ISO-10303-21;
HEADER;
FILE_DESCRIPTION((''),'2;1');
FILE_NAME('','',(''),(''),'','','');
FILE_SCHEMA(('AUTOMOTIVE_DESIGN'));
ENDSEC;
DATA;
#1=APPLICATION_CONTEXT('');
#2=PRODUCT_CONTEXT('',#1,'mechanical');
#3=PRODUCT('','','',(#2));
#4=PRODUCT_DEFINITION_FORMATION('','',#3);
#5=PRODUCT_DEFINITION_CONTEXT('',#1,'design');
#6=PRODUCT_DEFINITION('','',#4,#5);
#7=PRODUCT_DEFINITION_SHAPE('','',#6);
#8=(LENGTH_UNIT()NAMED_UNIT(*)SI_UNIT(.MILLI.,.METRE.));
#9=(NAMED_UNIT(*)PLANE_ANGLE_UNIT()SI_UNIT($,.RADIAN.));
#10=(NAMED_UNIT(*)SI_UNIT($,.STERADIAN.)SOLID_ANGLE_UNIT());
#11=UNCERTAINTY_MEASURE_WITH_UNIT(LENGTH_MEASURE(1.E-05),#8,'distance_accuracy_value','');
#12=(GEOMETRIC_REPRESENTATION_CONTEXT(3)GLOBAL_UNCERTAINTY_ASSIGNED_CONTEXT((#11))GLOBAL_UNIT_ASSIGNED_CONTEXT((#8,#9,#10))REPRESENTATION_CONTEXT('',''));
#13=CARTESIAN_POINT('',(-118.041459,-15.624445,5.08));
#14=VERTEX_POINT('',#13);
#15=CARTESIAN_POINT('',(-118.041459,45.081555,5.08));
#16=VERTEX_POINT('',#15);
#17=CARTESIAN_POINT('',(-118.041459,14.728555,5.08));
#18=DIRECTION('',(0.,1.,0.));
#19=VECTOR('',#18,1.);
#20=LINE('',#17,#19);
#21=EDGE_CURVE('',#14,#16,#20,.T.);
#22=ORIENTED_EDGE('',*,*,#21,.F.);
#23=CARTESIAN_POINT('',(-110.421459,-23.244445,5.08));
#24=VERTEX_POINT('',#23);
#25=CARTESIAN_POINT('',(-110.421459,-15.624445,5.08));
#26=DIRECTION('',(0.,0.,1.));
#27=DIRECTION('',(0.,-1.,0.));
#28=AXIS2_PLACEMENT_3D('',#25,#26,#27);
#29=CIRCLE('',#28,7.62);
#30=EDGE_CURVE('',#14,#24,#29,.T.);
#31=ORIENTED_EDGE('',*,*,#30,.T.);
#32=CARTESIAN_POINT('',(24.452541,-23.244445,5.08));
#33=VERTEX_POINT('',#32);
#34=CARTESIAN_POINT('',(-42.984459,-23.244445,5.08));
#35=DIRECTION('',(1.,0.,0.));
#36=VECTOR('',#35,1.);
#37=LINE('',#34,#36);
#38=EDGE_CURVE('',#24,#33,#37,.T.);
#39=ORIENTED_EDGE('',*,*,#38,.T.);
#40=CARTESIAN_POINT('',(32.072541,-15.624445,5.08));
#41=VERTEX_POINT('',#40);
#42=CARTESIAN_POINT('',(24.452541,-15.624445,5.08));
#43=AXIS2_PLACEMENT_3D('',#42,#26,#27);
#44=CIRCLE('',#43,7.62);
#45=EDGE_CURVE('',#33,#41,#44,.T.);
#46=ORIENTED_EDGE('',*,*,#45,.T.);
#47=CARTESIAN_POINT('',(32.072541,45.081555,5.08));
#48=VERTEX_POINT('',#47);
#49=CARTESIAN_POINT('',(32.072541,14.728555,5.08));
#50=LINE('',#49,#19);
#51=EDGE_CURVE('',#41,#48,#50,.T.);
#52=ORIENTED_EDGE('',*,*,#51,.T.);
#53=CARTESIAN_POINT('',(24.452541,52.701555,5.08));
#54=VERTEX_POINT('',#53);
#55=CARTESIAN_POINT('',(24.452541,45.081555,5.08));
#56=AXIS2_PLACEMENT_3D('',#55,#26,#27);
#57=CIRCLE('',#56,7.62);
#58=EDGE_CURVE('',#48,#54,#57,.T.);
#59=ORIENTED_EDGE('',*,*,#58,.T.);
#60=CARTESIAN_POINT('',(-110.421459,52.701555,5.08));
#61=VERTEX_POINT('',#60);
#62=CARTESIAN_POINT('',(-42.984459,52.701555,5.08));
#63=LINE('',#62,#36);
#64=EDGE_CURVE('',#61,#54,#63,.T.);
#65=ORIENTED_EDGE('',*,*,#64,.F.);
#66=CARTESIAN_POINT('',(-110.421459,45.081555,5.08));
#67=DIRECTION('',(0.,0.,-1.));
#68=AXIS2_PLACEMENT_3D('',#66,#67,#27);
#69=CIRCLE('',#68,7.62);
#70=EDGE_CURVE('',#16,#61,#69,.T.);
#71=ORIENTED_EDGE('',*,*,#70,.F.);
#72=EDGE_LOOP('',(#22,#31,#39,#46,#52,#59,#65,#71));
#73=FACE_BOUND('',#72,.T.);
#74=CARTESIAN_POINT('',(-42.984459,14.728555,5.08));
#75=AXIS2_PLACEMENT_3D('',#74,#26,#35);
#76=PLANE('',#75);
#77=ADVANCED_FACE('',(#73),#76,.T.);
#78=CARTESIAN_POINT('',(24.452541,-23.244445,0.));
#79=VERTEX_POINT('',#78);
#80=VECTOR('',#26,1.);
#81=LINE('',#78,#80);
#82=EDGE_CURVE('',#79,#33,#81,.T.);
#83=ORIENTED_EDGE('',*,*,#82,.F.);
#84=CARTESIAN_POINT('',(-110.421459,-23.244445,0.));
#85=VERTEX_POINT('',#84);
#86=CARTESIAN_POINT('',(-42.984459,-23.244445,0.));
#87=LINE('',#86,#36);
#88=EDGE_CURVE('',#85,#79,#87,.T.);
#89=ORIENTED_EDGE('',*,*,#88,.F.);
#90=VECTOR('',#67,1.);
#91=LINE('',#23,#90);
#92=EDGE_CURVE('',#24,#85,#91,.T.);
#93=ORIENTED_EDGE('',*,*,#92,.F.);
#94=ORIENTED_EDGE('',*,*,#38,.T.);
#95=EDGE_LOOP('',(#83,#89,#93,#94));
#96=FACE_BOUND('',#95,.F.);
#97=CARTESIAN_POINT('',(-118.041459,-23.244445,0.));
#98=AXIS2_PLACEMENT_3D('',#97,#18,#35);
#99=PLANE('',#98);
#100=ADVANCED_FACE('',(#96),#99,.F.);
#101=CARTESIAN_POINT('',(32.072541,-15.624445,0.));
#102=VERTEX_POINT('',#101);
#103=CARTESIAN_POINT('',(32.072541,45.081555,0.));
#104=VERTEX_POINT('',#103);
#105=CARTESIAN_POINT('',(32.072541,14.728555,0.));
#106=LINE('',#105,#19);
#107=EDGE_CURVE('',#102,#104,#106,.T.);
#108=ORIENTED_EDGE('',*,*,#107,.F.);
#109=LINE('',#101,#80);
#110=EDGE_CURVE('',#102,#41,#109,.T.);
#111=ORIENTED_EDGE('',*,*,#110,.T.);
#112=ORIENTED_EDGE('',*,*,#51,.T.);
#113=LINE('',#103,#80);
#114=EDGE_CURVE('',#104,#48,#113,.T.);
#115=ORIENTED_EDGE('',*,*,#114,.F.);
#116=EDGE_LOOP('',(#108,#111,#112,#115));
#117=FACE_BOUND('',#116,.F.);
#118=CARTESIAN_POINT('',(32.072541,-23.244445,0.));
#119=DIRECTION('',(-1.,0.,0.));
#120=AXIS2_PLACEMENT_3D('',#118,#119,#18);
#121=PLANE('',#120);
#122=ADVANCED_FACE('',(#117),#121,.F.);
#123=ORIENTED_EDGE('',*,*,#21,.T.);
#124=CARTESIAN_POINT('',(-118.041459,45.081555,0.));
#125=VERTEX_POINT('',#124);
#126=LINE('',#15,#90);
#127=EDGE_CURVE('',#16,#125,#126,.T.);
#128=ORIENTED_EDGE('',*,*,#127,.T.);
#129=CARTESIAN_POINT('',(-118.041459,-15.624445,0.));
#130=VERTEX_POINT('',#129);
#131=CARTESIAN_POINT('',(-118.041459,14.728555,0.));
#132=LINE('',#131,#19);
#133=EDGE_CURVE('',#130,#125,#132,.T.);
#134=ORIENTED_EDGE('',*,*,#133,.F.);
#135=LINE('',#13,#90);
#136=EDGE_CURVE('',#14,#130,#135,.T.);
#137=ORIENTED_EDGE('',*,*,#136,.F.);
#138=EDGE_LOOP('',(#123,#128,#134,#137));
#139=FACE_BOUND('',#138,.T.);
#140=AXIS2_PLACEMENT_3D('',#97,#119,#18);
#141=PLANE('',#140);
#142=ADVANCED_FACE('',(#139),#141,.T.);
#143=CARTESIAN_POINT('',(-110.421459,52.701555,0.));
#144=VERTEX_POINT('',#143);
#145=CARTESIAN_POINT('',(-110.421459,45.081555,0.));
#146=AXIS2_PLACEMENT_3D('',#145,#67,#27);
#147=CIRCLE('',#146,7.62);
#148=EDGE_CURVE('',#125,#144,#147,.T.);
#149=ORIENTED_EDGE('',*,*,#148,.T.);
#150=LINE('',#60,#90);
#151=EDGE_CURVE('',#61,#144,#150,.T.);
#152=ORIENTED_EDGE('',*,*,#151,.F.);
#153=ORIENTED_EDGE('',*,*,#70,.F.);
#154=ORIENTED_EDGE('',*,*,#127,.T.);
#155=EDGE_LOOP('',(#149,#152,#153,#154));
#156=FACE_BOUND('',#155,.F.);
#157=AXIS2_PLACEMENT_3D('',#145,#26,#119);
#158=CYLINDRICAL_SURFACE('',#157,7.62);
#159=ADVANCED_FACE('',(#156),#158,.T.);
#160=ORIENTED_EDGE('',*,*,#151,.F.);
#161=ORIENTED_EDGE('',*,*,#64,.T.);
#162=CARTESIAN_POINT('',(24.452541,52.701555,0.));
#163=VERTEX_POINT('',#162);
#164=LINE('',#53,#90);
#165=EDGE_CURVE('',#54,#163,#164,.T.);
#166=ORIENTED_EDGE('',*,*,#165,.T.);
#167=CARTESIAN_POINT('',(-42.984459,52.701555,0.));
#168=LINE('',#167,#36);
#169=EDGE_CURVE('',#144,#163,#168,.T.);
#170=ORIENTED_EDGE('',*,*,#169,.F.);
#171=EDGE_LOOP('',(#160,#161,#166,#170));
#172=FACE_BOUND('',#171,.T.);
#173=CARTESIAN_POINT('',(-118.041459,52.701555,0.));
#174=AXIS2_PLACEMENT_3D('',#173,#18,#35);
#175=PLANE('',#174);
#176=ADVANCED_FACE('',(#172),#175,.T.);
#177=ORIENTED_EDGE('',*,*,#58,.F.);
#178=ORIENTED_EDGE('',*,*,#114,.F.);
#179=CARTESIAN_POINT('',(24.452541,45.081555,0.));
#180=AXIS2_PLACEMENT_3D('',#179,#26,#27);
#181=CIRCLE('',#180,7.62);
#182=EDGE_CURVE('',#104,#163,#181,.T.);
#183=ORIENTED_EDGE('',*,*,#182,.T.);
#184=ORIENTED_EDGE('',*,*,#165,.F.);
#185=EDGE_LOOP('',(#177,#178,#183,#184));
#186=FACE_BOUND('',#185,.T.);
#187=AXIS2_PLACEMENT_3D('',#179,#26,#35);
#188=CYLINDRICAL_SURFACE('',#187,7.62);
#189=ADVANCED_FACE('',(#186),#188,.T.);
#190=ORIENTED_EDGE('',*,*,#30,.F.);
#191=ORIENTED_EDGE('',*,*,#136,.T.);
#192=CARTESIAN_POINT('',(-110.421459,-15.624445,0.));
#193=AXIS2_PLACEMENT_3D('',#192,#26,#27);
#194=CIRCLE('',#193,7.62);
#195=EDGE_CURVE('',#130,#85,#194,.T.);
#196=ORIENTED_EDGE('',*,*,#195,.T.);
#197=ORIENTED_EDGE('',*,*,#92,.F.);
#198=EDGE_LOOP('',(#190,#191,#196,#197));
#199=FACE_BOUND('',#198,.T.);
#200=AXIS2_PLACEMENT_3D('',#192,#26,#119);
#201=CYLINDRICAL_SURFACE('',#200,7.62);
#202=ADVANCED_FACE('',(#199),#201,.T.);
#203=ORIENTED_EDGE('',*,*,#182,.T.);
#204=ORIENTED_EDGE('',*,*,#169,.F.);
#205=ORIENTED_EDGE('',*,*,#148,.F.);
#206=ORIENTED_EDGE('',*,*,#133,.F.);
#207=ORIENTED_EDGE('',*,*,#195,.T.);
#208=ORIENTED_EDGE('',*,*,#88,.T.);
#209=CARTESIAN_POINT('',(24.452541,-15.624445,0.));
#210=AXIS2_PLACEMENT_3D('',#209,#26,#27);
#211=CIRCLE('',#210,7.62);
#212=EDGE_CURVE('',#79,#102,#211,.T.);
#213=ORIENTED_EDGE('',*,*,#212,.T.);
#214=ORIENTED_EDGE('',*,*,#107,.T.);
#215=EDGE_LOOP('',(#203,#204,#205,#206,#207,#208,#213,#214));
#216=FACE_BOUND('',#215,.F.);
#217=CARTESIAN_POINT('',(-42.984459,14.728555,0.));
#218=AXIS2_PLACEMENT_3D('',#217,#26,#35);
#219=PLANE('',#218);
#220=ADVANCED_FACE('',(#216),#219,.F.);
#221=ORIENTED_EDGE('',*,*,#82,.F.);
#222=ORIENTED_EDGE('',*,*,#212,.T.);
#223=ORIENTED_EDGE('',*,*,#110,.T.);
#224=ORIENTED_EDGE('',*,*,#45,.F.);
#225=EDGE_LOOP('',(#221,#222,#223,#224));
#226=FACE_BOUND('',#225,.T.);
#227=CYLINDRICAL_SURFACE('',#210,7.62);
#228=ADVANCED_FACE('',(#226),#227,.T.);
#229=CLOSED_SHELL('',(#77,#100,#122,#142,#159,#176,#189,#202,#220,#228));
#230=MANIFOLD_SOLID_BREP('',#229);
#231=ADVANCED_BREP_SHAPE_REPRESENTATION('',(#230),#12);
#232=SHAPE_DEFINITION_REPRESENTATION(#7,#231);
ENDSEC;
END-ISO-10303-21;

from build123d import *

# Parameters (mm, degrees)
F0_W     = 150.114
F0_H     = 75.946
F1_DEPTH = 5.08
F2_R     = 7.62
F3_DEPTH = 2.54
F4_DEPTH = 2.54
F5_DEPTH = 5.08


with BuildPart() as f1:
    # F0 (on Top) → F1 (new body)
    with BuildSketch(Plane.XY):
        with Locations((-42.984459, 14.728555)):
            Rectangle(F0_W, F0_H)
    extrude(amount=F1_DEPTH)

    # F2
    f2_edges = [f1.edges().sort_by_distance(p)[0] for p in [
        (-118.041459, -23.244445, 2.54),
        (32.072541, -23.244445, 2.54),
        (32.072541, 52.701555, 2.54),
        (-118.041459, 52.701555, 2.54),
    ]]
    fillet(f2_edges, radius=F2_R)

    # F1_face (on face) → F3 (join)
    with BuildSketch(Plane(origin=(-42.984459, 14.728555, 5.08), x_dir=(1, 0, 0), z_dir=(0, 0, 1))):
        with BuildLine():
            Line((-67.437, -37.973), (67.437, -37.973))
            ThreePointArc((67.437, -37.973), (72.825154, -35.741154), (75.057, -30.353))
            Line((75.057, -30.353), (75.057, 30.353))
            ThreePointArc((75.057, 30.353), (72.825154, 35.741154), (67.437, 37.973))
            Line((67.437, 37.973), (-67.437, 37.973))
            ThreePointArc((-67.437, 37.973), (-72.825154, 35.741154), (-75.057, 30.353))
            Line((-75.057, 30.353), (-75.057, -30.353))
            ThreePointArc((-75.057, -30.353), (-72.825154, -35.741154), (-67.437, -37.973))
        make_face()
    extrude(amount=-F3_DEPTH)

    # F1_face (on face) → F4 (join)
    with BuildSketch(Plane(origin=(-42.984459, 14.728555, 5.08), x_dir=(1, 0, 0), z_dir=(0, 0, 1))):
        with BuildLine():
            Line((-67.437, -37.973), (67.437, -37.973))
            ThreePointArc((67.437, -37.973), (72.825154, -35.741154), (75.057, -30.353))
            Line((75.057, -30.353), (75.057, 30.353))
            ThreePointArc((75.057, 30.353), (72.825154, 35.741154), (67.437, 37.973))
            Line((67.437, 37.973), (-67.437, 37.973))
            ThreePointArc((-67.437, 37.973), (-72.825154, 35.741154), (-75.057, 30.353))
            Line((-75.057, 30.353), (-75.057, -30.353))
            ThreePointArc((-75.057, -30.353), (-72.825154, -35.741154), (-67.437, -37.973))
        make_face()
    extrude(amount=-F4_DEPTH)

    # F1_face (on face) → F5 (join)
    with BuildSketch(Plane(origin=(-42.984459, 14.728555, 5.08), x_dir=(1, 0, 0), z_dir=(0, 0, 1))):
        with BuildLine():
            Line((67.437, -37.973), (-67.437, -37.973))
            ThreePointArc((-67.437, -37.973), (-72.825154, -35.741154), (-75.057, -30.353))
            Line((-75.057, -30.353), (-75.057, 30.353))
            ThreePointArc((-75.057, 30.353), (-72.825154, 35.741154), (-67.437, 37.973))
            Line((-67.437, 37.973), (67.437, 37.973))
            ThreePointArc((67.437, 37.973), (72.825154, 35.741154), (75.057, 30.353))
            Line((75.057, 30.353), (75.057, -30.353))
            ThreePointArc((75.057, -30.353), (72.825154, -35.741154), (67.437, -37.973))
        make_face()
    extrude(amount=-F5_DEPTH)


solid = f1.part
